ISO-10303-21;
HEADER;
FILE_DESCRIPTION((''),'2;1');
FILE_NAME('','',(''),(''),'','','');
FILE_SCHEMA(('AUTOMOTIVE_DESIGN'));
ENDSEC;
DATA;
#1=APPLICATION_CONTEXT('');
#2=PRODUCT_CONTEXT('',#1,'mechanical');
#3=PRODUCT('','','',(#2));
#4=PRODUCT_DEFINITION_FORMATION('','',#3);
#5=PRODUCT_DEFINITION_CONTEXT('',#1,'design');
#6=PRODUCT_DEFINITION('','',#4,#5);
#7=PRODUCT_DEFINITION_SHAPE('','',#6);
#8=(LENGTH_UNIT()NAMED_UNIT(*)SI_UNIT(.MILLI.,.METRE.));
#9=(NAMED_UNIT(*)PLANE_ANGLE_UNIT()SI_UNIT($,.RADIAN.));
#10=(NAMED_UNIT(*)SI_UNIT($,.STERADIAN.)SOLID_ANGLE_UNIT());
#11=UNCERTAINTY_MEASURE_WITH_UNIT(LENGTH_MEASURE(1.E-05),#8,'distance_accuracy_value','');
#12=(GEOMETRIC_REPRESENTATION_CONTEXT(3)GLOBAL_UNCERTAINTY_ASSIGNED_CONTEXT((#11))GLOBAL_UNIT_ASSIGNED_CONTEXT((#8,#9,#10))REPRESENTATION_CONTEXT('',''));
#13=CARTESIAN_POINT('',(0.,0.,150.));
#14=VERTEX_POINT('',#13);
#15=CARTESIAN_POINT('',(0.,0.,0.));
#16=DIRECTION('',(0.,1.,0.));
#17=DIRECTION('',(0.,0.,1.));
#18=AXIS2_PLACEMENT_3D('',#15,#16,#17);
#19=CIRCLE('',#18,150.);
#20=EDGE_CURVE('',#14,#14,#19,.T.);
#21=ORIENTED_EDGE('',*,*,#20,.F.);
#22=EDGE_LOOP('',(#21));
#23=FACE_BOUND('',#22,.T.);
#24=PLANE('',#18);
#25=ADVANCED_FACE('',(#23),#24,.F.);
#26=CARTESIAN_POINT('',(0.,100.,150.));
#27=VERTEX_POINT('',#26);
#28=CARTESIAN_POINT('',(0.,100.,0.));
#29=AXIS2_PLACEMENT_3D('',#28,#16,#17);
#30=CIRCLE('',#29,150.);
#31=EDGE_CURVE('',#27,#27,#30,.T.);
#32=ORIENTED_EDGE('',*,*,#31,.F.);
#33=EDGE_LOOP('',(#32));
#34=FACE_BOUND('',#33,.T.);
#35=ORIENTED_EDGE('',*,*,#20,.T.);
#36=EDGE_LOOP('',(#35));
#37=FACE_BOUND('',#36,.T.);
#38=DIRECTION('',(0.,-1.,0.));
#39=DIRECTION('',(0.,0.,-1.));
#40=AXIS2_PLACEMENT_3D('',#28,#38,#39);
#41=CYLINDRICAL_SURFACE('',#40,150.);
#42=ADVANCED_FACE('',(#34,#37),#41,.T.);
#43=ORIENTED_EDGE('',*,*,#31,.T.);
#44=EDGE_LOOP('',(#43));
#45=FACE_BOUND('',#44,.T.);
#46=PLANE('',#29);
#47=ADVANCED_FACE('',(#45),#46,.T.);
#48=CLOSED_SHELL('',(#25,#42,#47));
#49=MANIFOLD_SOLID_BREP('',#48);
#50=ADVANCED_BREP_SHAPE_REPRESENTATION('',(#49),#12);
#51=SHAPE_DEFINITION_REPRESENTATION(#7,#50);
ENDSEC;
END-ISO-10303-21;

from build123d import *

# Parameters (mm, degrees)
SKETCH1_R           = 150
BOSS_EXTRUDE1_DEPTH = 100


with BuildPart() as part:
    # Sketch1 → Boss-Extrude1 (new body)
    with BuildSketch(Plane(origin=(0, 0, 0), x_dir=(1, 0, 0), z_dir=(0, 1, 0))):
        with Locations(Location((0, 0, 0), (0, 0, 270))):
            Circle(SKETCH1_R)
    extrude(amount=BOSS_EXTRUDE1_DEPTH)


solid = part.part
